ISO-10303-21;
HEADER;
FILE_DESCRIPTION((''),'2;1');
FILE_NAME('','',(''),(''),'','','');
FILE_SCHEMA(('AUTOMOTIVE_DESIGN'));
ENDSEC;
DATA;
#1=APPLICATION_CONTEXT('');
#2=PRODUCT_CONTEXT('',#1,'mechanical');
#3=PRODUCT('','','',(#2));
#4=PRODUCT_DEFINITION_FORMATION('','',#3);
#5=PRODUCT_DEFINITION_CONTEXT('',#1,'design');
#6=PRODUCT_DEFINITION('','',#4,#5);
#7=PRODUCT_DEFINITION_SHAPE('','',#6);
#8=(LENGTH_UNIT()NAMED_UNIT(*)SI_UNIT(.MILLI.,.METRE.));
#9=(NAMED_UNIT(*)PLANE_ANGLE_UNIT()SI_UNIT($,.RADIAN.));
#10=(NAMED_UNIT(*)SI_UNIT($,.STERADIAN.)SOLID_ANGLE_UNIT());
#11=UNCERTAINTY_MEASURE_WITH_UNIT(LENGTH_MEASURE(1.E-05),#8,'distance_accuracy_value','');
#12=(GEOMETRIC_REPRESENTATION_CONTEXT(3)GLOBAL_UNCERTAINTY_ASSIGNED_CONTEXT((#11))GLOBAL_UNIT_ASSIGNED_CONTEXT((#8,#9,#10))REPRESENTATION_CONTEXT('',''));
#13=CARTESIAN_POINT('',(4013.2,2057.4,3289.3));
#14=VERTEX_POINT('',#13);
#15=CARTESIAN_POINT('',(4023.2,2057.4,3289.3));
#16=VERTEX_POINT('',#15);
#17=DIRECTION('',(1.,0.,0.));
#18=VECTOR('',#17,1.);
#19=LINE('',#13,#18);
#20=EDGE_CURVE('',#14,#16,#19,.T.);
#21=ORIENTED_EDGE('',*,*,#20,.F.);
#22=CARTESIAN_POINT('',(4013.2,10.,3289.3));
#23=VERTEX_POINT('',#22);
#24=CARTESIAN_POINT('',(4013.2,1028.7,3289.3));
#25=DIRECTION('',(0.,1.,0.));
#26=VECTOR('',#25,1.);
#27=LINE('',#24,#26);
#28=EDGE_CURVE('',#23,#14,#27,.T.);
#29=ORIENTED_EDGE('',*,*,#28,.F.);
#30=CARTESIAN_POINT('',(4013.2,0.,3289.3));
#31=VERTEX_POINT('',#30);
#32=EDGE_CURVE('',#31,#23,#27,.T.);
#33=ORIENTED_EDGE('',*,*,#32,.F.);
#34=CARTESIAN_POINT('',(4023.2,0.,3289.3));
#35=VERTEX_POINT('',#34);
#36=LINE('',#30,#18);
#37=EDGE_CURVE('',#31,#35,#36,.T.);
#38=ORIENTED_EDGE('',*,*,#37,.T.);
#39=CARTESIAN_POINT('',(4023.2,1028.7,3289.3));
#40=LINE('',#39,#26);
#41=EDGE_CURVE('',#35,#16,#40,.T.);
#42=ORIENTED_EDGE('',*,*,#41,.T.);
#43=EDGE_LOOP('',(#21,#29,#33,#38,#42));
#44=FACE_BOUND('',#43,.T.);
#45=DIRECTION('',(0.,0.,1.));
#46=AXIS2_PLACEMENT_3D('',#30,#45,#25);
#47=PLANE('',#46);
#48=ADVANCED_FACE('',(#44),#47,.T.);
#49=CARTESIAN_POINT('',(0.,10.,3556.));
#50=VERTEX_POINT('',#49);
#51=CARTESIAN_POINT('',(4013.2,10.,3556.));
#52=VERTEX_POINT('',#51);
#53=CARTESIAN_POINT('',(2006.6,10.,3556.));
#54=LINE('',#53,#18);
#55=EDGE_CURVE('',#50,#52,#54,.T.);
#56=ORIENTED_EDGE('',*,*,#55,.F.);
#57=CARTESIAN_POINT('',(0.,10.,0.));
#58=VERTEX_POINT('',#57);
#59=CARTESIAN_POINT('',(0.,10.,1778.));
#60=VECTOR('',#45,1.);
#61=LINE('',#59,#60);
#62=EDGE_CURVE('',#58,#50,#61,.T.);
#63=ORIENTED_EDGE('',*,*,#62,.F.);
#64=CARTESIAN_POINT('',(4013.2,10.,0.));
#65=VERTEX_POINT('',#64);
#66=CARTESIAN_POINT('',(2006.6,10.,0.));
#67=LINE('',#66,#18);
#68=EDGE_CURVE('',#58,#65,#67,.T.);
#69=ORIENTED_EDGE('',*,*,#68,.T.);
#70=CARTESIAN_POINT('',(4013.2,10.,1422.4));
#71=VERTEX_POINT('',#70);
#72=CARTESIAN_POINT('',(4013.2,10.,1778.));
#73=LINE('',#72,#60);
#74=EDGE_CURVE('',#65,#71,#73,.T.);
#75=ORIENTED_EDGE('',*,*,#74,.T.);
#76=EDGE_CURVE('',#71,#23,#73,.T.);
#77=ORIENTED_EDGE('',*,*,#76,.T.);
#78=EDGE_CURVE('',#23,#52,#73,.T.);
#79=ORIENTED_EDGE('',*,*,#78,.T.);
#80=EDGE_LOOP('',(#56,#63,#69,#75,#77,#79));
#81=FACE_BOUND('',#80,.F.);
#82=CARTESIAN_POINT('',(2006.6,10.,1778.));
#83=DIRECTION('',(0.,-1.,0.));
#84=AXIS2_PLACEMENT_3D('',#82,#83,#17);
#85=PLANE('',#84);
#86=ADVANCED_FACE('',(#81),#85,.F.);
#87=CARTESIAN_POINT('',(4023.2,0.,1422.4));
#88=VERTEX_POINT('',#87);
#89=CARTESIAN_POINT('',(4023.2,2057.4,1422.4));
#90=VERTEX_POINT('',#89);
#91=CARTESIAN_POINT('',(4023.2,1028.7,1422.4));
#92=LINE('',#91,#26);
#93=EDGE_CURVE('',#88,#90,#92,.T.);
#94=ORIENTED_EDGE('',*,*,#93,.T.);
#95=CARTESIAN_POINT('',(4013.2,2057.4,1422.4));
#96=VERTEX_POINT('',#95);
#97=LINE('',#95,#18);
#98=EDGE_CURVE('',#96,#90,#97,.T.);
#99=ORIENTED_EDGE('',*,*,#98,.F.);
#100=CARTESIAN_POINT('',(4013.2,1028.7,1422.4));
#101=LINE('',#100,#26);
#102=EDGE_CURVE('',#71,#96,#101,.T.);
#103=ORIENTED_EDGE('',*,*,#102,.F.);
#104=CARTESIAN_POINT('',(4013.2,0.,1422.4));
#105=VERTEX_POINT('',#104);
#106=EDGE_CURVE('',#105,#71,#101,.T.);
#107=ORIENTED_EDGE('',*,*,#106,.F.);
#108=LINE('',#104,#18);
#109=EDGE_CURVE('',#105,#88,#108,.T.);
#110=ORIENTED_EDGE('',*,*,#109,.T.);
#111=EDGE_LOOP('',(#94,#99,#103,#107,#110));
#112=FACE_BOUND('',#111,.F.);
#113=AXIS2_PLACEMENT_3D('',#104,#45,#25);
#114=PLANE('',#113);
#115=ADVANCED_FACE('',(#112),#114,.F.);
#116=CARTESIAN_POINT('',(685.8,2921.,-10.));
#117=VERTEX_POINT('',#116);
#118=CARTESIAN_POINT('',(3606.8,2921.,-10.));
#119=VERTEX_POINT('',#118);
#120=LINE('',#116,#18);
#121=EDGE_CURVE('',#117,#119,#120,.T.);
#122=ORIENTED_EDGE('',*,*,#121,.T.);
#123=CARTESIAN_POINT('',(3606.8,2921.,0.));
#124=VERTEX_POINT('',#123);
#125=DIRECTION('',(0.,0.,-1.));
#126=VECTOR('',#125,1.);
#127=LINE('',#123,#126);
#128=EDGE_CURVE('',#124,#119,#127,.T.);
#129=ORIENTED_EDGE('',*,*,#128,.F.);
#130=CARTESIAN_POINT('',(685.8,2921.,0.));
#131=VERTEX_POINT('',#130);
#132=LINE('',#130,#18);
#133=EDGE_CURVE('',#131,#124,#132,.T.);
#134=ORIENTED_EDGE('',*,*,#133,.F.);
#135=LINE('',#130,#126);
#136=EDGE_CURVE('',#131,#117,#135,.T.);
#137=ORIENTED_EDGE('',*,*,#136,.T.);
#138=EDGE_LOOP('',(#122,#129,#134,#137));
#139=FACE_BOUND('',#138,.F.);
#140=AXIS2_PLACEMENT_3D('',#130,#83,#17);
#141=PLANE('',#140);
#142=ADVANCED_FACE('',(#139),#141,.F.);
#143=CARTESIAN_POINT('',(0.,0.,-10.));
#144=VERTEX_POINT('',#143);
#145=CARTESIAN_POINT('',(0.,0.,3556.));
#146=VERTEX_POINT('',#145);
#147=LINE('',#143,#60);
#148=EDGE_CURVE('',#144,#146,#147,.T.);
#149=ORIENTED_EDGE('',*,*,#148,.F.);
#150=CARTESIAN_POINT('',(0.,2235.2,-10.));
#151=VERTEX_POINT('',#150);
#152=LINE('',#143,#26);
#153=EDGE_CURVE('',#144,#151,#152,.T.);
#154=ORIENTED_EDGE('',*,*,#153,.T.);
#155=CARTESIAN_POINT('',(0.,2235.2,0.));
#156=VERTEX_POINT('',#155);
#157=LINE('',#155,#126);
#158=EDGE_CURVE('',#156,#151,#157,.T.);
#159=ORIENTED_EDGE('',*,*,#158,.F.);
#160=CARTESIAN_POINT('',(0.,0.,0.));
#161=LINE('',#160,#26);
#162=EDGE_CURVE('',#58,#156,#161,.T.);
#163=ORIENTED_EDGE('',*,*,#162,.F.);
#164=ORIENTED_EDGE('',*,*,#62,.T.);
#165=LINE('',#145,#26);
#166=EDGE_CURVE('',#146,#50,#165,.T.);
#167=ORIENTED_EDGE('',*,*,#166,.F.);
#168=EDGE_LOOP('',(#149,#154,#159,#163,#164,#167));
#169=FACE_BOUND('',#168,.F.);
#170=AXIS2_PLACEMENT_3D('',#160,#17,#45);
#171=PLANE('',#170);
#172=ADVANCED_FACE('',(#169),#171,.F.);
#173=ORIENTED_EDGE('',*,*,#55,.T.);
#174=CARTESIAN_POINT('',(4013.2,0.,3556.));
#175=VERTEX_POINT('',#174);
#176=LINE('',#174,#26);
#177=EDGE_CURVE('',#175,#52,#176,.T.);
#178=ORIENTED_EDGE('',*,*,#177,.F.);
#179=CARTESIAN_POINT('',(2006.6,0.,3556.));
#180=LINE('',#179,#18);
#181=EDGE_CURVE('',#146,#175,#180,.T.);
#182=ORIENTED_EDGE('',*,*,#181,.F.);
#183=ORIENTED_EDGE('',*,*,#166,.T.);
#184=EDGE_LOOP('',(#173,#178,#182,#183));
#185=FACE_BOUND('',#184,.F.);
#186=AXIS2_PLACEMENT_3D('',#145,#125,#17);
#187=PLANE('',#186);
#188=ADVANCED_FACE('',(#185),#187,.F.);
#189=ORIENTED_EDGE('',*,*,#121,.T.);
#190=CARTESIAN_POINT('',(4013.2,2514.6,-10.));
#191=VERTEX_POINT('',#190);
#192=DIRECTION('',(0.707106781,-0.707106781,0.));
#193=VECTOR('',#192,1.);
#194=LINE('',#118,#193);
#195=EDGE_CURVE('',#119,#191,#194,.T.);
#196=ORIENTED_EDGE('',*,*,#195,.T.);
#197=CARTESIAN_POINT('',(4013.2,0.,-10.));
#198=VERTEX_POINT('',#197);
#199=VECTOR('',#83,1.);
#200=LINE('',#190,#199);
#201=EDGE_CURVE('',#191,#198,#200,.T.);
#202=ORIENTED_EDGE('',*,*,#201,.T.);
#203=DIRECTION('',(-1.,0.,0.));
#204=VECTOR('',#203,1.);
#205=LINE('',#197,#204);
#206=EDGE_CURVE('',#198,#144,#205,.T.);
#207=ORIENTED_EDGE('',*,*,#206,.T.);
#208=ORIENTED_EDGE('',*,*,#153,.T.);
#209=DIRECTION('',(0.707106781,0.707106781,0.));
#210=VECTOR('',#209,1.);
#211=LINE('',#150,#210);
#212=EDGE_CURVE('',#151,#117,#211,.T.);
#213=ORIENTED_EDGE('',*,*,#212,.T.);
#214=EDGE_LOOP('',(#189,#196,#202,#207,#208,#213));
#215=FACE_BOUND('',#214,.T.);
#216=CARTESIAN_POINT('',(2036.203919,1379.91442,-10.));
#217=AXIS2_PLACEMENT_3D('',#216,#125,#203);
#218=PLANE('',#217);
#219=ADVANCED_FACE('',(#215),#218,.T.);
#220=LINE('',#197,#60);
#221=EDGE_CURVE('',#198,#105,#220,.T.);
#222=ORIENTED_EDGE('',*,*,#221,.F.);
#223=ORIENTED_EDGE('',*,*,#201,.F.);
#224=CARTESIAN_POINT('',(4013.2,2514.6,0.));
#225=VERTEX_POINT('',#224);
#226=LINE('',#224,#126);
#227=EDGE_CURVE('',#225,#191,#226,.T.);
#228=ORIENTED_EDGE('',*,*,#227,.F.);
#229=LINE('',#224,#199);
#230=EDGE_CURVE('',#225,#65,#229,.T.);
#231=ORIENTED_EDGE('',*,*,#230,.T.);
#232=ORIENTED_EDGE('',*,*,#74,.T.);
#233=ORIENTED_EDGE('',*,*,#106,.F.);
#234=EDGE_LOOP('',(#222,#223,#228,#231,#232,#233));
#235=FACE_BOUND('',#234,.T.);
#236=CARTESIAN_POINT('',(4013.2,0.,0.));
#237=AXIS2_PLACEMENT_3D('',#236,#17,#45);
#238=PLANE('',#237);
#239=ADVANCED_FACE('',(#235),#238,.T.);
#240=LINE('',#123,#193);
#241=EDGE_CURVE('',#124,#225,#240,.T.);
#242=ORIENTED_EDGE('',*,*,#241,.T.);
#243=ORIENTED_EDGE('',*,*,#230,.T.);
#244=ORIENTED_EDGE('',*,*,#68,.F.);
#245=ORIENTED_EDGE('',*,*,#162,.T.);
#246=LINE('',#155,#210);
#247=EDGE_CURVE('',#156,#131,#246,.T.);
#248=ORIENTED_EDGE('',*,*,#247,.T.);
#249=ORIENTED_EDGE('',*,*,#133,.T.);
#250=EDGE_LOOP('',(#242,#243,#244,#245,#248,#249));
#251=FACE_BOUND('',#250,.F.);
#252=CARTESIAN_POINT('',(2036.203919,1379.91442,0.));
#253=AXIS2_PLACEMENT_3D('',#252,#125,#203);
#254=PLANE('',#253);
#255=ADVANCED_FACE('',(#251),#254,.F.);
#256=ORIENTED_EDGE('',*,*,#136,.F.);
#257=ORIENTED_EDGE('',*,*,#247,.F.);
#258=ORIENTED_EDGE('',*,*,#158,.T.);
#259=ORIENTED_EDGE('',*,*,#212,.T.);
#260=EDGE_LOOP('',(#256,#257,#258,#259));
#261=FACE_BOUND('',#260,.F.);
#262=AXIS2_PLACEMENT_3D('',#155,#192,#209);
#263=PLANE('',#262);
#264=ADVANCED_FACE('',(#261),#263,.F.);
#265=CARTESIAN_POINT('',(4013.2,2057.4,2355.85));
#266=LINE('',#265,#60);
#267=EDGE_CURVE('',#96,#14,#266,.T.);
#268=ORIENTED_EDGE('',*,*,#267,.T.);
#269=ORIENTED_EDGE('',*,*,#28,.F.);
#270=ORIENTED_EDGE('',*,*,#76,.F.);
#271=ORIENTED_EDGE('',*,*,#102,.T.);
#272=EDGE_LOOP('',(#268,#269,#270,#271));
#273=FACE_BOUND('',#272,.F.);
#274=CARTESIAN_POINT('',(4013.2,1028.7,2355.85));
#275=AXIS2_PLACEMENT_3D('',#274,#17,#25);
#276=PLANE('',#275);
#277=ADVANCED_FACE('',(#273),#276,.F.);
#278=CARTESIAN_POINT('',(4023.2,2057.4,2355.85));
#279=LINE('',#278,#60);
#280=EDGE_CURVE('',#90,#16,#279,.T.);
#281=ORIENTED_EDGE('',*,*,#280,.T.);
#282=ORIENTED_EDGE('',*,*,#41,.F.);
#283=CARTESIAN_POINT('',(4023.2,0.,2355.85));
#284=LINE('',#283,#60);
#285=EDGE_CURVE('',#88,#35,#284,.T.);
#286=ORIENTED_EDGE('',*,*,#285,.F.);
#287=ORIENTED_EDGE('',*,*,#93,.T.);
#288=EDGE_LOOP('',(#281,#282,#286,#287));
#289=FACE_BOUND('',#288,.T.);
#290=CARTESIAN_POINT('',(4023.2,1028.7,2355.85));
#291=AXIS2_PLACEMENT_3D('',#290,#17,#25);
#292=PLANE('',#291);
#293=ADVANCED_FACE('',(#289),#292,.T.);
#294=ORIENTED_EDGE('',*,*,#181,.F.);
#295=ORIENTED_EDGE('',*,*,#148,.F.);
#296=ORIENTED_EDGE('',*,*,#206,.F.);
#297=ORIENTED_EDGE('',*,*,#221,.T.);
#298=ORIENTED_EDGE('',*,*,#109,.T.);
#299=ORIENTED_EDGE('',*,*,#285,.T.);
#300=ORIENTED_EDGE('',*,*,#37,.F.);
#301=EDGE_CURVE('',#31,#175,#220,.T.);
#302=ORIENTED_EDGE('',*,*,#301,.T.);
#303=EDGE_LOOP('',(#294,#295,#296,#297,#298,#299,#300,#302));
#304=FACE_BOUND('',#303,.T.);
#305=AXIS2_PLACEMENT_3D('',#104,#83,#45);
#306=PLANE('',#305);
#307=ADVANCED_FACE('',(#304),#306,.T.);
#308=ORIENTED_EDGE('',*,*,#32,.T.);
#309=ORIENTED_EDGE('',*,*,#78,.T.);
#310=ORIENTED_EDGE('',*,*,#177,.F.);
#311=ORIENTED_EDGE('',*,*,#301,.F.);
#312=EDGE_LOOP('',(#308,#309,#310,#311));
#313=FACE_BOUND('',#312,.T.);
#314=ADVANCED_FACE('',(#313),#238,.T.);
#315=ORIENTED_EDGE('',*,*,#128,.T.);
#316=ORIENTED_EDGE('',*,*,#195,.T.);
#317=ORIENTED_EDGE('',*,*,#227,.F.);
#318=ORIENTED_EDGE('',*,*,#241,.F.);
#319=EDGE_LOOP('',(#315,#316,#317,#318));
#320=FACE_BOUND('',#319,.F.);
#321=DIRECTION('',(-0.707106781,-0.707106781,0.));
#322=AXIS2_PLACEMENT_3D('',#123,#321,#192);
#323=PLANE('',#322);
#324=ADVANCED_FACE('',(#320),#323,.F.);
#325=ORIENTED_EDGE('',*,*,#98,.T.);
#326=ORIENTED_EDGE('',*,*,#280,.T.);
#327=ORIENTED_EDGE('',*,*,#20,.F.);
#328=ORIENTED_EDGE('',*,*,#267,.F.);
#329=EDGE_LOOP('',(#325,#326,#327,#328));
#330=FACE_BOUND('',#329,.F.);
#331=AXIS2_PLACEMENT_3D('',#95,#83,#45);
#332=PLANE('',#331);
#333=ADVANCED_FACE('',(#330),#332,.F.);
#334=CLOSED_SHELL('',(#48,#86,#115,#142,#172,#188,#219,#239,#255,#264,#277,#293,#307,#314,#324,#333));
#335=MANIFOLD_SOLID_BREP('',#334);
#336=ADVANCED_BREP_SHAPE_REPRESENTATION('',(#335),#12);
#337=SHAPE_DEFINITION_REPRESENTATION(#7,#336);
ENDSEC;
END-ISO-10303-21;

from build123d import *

# Parameters (mm, degrees)
PAD_DEPTH    = 10
SKETCH001_W  = 4013.2
SKETCH001_H  = 3556
PAD001_DEPTH = 10
SKETCH002_W  = 2057.4
SKETCH002_H  = 1866.9
PAD002_DEPTH = 10


with BuildPart() as part:
    # Sketch → Pad (new body)
    with BuildSketch(Plane.XY):
        Polygon((0, 0), (0, 2235.2), (685.8, 2921), (3606.8, 2921), (4013.2, 2514.6), (4013.2, 0), align=None)
    extrude(amount=-PAD_DEPTH)

    # Sketch001 → Pad001 (join)
    with BuildSketch(Plane.XZ):
        with Locations((2006.6, 1778)):
            Rectangle(SKETCH001_W, SKETCH001_H)
    extrude(amount=-PAD001_DEPTH)

    # Sketch002 (on Face7 of Pad001) → Pad002 (join)
    with BuildSketch(Plane.YZ.offset(4013.2)):
        with Locations((1028.7, 2355.85)):
            Rectangle(SKETCH002_W, SKETCH002_H)
    extrude(amount=PAD002_DEPTH)


solid = part.part
